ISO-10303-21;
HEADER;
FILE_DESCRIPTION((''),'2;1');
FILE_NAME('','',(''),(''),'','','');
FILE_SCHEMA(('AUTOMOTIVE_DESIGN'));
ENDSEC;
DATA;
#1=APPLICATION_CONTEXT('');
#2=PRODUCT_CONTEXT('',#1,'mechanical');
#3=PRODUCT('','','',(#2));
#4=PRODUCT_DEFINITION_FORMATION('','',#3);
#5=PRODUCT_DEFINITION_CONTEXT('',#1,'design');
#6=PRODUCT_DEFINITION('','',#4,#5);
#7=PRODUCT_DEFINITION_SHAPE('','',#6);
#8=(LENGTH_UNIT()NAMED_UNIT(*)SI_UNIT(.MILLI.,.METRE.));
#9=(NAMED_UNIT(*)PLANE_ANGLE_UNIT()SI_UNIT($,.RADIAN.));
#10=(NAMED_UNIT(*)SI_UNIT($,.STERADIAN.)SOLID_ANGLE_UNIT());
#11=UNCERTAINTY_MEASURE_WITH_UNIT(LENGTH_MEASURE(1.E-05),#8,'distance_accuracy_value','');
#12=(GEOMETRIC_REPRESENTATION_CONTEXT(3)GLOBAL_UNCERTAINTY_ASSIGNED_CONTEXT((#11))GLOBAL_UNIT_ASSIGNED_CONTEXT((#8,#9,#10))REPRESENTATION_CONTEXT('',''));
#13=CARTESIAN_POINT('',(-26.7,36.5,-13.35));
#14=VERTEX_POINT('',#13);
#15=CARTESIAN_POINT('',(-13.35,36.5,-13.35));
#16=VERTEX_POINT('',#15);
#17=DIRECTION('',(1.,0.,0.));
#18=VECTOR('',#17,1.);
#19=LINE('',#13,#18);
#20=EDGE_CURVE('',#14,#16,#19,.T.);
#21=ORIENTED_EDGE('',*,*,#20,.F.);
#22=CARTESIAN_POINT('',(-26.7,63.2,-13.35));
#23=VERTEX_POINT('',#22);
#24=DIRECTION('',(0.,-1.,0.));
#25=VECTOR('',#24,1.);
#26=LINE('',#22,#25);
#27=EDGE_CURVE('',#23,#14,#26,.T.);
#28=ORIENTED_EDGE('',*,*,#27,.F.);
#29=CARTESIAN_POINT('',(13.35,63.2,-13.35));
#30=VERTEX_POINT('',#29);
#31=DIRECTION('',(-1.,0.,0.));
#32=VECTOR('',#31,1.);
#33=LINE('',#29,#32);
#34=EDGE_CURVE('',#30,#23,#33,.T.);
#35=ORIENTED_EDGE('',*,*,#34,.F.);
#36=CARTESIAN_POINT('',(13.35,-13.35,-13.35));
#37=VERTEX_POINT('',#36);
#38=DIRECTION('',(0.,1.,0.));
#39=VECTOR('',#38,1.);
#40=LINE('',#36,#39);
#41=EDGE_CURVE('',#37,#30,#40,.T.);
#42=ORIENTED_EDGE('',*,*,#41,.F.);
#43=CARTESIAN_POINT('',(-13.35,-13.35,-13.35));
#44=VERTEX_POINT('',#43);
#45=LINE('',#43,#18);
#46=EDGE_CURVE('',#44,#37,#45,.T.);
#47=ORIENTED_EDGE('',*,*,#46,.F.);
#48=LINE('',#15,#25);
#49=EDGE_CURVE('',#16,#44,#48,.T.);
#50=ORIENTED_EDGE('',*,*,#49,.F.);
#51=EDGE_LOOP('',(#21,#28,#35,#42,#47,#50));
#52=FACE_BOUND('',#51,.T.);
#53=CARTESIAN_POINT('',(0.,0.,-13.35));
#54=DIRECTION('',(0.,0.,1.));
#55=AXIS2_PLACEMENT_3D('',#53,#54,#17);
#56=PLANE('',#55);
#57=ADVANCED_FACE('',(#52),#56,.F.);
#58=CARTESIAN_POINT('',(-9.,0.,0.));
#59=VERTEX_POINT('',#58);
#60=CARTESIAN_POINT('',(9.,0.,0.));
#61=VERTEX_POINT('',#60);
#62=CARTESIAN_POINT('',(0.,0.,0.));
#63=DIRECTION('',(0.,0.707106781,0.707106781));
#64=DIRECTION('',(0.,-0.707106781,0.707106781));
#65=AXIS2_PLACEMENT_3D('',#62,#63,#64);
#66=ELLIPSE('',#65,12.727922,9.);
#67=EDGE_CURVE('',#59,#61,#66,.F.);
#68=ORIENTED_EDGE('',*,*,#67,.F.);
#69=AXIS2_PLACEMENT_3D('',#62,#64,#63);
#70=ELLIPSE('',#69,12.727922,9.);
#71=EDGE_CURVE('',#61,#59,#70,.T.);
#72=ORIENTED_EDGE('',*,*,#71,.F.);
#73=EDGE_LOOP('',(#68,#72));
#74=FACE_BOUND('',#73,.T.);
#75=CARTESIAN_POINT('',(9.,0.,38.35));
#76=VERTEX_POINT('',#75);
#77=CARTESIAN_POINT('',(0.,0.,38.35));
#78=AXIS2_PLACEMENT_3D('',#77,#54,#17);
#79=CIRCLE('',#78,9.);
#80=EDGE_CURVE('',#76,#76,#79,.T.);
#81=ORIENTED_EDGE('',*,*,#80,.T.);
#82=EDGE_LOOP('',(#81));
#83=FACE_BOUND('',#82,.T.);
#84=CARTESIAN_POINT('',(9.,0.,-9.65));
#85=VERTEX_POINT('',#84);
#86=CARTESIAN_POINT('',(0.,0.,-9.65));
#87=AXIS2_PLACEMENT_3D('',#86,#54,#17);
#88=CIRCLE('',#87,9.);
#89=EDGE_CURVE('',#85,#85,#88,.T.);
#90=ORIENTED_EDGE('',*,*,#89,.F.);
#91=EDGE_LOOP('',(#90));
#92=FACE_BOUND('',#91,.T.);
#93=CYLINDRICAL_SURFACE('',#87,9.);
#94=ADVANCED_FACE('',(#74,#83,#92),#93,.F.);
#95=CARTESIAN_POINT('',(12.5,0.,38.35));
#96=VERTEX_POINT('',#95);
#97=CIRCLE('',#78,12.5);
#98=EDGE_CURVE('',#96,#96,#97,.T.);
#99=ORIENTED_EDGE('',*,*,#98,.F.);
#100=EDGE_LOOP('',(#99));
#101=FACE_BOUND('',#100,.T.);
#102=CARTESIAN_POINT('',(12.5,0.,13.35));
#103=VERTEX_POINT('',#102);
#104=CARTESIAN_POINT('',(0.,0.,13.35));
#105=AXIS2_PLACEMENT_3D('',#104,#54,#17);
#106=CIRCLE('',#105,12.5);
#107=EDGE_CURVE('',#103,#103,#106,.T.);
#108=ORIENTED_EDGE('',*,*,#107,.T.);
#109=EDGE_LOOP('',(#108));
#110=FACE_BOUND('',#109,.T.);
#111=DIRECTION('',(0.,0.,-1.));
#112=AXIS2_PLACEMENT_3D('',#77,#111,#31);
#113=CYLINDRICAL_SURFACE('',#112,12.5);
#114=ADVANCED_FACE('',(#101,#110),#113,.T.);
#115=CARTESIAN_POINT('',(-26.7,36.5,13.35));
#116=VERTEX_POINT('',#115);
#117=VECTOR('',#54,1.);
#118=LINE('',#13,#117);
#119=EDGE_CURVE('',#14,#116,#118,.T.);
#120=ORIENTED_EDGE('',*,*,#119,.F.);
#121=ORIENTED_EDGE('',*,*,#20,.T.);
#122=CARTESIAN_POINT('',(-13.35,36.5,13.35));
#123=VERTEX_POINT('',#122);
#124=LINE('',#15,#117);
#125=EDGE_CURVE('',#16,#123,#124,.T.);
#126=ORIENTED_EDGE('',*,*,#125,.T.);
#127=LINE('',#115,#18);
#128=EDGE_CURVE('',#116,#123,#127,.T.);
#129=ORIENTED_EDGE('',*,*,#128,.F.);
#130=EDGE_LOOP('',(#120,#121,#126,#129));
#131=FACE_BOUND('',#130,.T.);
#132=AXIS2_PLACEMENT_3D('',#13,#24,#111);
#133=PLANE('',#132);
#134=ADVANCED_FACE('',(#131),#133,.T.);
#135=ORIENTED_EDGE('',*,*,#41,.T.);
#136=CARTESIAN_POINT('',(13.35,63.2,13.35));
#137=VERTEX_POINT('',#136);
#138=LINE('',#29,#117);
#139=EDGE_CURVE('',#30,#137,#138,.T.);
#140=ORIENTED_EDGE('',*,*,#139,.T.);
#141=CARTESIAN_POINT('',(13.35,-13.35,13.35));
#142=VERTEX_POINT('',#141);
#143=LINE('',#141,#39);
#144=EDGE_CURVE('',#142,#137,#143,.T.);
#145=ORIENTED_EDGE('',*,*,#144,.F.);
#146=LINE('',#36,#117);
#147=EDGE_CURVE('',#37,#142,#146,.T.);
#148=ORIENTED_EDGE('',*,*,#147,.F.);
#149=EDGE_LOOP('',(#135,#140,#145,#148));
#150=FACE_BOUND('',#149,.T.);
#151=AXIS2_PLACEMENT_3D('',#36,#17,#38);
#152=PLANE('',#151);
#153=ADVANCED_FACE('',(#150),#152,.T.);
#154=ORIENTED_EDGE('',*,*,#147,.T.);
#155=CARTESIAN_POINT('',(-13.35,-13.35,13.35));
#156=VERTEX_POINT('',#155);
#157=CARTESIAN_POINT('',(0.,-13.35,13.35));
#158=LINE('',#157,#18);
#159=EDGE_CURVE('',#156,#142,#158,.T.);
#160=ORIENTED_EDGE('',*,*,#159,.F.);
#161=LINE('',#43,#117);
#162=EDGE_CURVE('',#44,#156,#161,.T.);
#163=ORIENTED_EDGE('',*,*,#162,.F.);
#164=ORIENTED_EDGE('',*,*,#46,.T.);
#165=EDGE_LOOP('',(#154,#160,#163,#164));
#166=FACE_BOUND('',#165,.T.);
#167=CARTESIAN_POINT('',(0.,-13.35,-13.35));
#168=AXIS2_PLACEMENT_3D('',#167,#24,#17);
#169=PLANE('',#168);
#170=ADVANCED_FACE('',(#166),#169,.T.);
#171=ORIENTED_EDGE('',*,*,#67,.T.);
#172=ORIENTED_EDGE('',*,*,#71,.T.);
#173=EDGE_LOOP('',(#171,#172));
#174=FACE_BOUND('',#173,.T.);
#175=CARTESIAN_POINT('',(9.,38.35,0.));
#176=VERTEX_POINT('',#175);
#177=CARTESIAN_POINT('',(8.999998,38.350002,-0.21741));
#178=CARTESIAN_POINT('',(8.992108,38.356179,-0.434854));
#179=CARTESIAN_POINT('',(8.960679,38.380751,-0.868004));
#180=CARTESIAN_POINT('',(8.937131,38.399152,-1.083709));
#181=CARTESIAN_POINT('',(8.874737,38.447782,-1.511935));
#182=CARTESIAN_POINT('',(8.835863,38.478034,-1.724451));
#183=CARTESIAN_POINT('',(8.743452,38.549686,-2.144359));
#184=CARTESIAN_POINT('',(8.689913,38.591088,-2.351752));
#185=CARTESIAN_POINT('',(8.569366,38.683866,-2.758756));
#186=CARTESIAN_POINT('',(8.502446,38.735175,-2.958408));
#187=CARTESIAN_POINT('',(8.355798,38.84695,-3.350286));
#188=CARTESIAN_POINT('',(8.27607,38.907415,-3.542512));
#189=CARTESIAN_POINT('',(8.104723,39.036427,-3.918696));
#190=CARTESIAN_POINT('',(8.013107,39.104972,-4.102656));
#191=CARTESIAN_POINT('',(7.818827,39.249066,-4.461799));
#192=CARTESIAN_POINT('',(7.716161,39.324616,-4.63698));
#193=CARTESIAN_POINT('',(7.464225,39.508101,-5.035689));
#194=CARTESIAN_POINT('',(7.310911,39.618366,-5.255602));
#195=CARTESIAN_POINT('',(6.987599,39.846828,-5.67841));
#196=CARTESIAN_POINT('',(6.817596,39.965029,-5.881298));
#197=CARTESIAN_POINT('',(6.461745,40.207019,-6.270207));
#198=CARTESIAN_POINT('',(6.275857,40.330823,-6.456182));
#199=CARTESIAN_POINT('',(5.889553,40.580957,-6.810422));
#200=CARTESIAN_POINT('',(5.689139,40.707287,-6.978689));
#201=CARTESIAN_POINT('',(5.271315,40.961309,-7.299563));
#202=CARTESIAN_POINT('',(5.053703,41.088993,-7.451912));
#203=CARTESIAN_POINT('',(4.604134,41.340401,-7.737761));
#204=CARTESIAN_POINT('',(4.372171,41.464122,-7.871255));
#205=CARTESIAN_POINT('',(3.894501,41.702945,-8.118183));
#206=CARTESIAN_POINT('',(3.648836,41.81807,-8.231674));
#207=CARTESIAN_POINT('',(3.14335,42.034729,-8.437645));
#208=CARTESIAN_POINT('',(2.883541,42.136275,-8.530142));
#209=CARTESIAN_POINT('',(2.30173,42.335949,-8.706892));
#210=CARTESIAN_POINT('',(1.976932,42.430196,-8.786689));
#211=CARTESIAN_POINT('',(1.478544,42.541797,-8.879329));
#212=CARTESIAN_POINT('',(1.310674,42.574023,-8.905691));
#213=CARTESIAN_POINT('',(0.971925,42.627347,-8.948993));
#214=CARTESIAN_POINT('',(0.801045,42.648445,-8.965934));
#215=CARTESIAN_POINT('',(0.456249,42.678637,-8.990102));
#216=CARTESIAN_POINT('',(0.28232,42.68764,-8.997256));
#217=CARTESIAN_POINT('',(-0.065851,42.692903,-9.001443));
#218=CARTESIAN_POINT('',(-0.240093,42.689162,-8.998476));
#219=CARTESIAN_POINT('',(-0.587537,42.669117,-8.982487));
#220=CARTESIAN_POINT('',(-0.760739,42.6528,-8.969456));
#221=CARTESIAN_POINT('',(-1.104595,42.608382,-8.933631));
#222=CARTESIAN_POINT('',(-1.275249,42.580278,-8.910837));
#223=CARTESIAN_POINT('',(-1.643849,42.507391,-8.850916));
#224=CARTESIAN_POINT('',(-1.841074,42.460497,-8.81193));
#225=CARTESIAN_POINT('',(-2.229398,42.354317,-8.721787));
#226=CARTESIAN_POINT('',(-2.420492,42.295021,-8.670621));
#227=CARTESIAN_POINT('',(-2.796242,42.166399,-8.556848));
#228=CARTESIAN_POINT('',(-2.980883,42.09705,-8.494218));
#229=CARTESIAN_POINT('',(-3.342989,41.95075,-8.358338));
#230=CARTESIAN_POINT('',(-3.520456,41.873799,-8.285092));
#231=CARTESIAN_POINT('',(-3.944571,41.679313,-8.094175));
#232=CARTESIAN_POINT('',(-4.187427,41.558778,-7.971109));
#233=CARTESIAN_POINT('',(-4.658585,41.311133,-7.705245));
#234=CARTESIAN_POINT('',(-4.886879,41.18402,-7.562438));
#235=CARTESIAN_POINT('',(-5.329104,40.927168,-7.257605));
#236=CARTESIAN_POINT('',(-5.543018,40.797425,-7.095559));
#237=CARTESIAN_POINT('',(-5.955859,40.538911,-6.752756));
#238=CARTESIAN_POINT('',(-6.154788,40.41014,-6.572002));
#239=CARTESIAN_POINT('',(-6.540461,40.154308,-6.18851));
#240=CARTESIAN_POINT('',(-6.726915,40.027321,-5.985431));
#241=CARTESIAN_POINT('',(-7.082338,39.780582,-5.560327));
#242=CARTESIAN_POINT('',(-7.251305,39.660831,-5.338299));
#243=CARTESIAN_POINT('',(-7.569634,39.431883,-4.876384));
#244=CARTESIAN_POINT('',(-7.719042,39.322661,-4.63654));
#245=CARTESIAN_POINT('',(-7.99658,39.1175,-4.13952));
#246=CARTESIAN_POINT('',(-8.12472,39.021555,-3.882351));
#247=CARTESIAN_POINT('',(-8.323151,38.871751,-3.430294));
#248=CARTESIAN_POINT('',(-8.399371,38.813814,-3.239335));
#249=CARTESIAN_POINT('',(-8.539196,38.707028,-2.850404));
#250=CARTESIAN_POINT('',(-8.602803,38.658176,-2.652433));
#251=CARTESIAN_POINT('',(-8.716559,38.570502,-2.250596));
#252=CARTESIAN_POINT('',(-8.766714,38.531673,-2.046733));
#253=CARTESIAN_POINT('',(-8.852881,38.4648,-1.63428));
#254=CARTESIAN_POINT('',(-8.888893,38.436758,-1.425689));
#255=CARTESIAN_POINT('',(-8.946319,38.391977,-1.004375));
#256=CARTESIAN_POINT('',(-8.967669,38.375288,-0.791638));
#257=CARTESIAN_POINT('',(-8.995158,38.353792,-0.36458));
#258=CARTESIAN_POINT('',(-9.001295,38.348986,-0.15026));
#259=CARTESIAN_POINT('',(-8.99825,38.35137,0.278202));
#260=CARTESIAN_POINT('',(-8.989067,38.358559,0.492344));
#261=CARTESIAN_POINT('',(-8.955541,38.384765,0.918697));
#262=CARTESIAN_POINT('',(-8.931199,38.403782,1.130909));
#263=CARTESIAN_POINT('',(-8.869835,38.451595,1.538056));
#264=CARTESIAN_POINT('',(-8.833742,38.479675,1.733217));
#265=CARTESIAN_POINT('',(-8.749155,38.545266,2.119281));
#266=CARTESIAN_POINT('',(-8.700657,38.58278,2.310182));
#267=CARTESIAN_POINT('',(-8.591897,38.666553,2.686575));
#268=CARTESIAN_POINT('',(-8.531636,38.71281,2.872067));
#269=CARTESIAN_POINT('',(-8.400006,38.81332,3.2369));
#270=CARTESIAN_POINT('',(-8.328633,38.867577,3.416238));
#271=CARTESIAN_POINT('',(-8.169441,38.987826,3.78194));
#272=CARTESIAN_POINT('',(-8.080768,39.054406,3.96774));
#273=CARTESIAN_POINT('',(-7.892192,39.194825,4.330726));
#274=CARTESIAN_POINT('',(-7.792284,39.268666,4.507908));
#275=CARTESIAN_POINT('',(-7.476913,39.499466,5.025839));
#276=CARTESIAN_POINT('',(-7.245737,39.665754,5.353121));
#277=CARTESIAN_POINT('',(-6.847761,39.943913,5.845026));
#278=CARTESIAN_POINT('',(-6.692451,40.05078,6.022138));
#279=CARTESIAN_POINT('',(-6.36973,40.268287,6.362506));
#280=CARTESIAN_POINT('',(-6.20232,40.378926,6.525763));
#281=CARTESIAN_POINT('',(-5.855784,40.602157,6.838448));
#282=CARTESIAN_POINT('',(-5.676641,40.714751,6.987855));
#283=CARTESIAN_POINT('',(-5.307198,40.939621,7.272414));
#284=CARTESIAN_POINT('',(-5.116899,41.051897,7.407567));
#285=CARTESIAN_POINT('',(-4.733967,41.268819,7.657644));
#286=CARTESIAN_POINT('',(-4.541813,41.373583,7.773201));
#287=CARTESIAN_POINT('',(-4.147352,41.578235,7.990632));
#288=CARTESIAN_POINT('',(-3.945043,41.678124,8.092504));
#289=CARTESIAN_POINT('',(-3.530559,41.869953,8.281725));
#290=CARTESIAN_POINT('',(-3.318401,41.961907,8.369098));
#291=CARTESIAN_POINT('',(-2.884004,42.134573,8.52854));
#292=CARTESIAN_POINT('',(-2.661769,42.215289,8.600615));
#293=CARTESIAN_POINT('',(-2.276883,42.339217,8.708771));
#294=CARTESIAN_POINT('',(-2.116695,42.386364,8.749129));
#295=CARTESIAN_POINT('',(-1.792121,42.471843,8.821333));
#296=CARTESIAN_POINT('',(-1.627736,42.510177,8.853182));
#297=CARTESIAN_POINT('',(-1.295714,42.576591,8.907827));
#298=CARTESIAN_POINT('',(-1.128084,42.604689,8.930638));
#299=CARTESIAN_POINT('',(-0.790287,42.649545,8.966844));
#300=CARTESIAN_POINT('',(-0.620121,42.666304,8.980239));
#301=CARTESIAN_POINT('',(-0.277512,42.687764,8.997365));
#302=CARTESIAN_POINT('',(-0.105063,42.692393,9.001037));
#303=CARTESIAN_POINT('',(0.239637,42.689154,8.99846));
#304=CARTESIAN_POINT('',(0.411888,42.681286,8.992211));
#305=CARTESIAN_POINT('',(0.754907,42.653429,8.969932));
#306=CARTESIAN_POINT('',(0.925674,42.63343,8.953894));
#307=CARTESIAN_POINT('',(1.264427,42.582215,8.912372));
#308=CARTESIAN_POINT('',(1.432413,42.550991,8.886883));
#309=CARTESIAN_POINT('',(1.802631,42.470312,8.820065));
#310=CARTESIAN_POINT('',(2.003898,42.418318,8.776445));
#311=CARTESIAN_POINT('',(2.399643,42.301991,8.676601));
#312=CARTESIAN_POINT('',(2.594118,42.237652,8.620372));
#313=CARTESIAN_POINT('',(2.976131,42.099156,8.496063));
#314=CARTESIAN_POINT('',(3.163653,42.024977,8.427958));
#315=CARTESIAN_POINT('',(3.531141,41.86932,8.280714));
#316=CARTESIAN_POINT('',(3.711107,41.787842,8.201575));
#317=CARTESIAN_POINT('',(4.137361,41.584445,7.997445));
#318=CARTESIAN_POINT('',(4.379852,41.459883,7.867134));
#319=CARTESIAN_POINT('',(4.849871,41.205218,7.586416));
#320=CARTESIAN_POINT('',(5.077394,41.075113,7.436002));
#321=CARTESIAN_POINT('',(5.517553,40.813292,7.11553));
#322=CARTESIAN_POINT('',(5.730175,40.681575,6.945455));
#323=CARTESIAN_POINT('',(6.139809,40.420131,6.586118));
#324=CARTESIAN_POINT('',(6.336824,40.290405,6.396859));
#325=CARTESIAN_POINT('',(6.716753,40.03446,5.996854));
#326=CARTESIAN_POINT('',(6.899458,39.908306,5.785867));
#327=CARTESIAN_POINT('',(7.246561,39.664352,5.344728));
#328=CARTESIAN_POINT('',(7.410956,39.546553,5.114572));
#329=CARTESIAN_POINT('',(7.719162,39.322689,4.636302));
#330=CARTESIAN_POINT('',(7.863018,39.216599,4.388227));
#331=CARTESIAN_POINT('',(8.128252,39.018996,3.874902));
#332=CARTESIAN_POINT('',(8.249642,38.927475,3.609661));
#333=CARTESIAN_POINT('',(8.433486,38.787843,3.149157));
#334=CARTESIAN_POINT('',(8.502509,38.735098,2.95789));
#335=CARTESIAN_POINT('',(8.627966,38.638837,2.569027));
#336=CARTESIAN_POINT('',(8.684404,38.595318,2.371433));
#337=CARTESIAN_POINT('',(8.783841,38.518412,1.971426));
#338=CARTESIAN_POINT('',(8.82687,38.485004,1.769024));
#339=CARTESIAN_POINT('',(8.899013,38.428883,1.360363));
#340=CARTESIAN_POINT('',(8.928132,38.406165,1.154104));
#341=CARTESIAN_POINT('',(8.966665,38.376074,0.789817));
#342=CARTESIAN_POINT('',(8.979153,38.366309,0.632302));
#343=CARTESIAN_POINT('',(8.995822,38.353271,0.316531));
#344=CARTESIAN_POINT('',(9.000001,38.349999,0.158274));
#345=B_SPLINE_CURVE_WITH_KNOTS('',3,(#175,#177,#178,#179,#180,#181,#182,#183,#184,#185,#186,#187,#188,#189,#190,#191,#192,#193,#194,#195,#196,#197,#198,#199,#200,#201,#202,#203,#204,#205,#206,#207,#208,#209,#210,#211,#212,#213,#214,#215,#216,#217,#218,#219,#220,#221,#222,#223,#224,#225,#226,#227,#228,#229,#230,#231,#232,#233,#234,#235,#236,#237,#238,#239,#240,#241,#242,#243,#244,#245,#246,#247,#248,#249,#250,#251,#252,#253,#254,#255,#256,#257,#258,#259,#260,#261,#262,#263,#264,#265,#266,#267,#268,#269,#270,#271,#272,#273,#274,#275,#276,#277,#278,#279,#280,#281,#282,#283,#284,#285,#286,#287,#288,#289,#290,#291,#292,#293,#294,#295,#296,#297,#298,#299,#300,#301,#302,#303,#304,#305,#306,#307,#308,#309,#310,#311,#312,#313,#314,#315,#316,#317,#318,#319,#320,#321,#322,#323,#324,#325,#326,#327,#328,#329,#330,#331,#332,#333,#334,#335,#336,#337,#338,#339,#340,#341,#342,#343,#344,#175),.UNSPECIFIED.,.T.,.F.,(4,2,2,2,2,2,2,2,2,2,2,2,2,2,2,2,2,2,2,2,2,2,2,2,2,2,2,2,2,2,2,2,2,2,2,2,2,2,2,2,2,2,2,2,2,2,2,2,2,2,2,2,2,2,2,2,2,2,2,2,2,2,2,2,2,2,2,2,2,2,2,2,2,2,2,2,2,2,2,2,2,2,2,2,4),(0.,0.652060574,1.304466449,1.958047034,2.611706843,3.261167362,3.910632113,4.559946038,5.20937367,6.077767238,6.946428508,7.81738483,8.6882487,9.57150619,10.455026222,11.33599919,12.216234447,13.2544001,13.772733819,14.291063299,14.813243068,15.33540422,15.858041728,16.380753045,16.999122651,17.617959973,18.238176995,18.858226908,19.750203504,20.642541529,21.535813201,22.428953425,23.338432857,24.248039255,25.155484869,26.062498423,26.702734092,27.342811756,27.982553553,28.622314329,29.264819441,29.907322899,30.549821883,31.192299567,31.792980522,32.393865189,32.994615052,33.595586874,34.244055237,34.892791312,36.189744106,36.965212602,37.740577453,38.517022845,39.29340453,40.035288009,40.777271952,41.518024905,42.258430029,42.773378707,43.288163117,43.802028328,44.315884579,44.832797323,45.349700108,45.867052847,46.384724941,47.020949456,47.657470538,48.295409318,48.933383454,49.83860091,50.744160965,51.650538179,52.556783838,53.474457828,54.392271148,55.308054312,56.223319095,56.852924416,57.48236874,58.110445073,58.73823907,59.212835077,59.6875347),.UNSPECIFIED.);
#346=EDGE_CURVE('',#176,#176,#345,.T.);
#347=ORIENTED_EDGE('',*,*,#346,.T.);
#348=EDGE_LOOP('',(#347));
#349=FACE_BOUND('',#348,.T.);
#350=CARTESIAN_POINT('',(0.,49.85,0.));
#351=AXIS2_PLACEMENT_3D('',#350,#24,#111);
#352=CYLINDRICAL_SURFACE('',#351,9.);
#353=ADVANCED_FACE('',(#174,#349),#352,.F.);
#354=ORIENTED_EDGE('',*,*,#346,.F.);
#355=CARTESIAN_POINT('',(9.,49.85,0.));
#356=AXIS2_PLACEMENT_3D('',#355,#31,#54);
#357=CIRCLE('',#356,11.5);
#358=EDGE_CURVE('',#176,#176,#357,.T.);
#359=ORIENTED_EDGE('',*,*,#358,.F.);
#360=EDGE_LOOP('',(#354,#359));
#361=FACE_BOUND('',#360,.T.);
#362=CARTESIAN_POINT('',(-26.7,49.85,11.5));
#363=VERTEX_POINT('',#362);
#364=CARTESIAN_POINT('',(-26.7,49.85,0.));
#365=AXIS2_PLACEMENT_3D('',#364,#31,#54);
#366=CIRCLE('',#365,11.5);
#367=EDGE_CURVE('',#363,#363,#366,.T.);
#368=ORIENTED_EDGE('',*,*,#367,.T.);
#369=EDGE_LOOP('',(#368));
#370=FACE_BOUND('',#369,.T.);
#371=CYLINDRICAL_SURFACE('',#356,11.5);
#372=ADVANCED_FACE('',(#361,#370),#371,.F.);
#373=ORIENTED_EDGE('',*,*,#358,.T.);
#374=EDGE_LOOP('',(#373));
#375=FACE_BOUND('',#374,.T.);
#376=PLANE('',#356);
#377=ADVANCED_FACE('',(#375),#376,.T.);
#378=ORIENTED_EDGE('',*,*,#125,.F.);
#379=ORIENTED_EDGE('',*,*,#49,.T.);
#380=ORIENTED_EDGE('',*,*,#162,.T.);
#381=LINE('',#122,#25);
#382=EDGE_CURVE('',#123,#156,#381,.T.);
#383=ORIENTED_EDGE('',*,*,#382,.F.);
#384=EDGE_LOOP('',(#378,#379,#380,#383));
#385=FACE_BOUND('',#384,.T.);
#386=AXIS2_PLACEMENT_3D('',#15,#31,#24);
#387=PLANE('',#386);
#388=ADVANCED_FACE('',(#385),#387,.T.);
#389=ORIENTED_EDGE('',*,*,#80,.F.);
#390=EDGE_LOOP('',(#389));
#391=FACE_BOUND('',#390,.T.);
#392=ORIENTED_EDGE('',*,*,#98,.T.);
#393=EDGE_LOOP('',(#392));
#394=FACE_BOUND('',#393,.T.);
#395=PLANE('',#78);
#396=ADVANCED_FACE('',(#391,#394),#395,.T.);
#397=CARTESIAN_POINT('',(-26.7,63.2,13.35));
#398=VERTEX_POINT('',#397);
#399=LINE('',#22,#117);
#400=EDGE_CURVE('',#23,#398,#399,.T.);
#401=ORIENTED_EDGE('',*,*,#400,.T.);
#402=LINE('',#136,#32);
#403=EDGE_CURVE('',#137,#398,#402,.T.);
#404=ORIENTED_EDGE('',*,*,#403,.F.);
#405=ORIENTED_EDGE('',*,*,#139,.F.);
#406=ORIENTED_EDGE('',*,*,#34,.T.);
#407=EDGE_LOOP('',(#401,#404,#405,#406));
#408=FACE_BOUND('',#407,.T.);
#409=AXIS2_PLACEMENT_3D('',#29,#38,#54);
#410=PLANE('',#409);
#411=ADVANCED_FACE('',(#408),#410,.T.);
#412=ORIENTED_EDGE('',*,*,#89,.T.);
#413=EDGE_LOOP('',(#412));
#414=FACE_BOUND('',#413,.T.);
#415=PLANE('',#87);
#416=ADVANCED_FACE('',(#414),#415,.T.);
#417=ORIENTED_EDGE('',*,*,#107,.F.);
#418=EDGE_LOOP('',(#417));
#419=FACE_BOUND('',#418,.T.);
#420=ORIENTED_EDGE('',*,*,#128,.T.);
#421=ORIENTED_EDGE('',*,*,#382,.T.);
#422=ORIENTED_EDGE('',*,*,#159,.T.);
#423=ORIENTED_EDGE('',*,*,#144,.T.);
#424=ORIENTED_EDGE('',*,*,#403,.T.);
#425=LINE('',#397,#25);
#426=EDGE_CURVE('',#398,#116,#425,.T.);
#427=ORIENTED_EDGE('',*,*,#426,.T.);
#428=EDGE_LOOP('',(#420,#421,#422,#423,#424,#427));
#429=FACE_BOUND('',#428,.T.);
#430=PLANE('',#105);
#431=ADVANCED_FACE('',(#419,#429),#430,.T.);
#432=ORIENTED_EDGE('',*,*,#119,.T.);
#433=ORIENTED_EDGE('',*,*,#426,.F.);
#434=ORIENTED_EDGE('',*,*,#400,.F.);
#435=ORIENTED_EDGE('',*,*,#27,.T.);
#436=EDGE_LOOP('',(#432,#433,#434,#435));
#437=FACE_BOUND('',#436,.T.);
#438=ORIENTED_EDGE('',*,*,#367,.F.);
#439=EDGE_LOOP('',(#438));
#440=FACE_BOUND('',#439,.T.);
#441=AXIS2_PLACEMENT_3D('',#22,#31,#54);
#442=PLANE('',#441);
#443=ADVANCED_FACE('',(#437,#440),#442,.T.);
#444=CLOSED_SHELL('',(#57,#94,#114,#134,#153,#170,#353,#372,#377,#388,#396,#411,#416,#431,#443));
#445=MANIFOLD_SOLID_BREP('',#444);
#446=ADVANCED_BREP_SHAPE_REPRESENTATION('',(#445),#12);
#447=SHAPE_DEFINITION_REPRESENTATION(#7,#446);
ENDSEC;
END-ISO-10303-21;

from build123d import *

# Parameters (mm, degrees)
BOSS_EXTRUDE1_DEPTH = 13.35
SKETCH3_R           = 9
CUT_EXTRUDE1_DEPTH  = 23
SKETCH4_R           = 11.5
CUT_EXTRUDE3_DEPTH  = 35.7
SKETCH7_R           = 9
CUT_EXTRUDE9_DEPTH  = 49.85
BOSS_EXTRUDE2_START = 25
SKETCH8_R           = 12.5
SKETCH8_R_2         = 9
BOSS_EXTRUDE2_DEPTH = 25


with BuildPart() as part:
    # Sketch2 → Boss-Extrude1 (new, symmetric)
    with BuildSketch(Plane.XY):
        Polygon((0, -13.35), (13.35, -13.35), (13.35, 63.2), (-26.7, 63.2), (-26.7, 36.5), (-13.35, 36.5), (-13.35, -13.35), align=None)
    extrude(amount=BOSS_EXTRUDE1_DEPTH, both=True)

    # Sketch3 → Cut-Extrude1 (cut)
    with BuildSketch(Plane.XY.offset(13.35)):
        Circle(SKETCH3_R)
    extrude(amount=-CUT_EXTRUDE1_DEPTH, mode=Mode.SUBTRACT)

    # Sketch4 → Cut-Extrude3 (cut)
    with BuildSketch(Plane.ZY.offset(26.7)):
        with Locations((0, 49.85)):
            Circle(SKETCH4_R)
    extrude(amount=-CUT_EXTRUDE3_DEPTH, mode=Mode.SUBTRACT)

    # Sketch7 → Cut-Extrude9 (cut)
    with BuildSketch(Plane(origin=(0, 0, 0), x_dir=(1, 0, 0), z_dir=(0, 1, 0))):
        Circle(SKETCH7_R)
    extrude(amount=CUT_EXTRUDE9_DEPTH, mode=Mode.SUBTRACT)

    # Sketch8 → Boss-Extrude2 (add)
    with BuildSketch(Plane.XY.offset(13.35).offset(BOSS_EXTRUDE2_START)):
        Circle(SKETCH8_R)
        Circle(SKETCH8_R_2, mode=Mode.SUBTRACT)
    extrude(amount=-BOSS_EXTRUDE2_DEPTH)


solid = part.part
